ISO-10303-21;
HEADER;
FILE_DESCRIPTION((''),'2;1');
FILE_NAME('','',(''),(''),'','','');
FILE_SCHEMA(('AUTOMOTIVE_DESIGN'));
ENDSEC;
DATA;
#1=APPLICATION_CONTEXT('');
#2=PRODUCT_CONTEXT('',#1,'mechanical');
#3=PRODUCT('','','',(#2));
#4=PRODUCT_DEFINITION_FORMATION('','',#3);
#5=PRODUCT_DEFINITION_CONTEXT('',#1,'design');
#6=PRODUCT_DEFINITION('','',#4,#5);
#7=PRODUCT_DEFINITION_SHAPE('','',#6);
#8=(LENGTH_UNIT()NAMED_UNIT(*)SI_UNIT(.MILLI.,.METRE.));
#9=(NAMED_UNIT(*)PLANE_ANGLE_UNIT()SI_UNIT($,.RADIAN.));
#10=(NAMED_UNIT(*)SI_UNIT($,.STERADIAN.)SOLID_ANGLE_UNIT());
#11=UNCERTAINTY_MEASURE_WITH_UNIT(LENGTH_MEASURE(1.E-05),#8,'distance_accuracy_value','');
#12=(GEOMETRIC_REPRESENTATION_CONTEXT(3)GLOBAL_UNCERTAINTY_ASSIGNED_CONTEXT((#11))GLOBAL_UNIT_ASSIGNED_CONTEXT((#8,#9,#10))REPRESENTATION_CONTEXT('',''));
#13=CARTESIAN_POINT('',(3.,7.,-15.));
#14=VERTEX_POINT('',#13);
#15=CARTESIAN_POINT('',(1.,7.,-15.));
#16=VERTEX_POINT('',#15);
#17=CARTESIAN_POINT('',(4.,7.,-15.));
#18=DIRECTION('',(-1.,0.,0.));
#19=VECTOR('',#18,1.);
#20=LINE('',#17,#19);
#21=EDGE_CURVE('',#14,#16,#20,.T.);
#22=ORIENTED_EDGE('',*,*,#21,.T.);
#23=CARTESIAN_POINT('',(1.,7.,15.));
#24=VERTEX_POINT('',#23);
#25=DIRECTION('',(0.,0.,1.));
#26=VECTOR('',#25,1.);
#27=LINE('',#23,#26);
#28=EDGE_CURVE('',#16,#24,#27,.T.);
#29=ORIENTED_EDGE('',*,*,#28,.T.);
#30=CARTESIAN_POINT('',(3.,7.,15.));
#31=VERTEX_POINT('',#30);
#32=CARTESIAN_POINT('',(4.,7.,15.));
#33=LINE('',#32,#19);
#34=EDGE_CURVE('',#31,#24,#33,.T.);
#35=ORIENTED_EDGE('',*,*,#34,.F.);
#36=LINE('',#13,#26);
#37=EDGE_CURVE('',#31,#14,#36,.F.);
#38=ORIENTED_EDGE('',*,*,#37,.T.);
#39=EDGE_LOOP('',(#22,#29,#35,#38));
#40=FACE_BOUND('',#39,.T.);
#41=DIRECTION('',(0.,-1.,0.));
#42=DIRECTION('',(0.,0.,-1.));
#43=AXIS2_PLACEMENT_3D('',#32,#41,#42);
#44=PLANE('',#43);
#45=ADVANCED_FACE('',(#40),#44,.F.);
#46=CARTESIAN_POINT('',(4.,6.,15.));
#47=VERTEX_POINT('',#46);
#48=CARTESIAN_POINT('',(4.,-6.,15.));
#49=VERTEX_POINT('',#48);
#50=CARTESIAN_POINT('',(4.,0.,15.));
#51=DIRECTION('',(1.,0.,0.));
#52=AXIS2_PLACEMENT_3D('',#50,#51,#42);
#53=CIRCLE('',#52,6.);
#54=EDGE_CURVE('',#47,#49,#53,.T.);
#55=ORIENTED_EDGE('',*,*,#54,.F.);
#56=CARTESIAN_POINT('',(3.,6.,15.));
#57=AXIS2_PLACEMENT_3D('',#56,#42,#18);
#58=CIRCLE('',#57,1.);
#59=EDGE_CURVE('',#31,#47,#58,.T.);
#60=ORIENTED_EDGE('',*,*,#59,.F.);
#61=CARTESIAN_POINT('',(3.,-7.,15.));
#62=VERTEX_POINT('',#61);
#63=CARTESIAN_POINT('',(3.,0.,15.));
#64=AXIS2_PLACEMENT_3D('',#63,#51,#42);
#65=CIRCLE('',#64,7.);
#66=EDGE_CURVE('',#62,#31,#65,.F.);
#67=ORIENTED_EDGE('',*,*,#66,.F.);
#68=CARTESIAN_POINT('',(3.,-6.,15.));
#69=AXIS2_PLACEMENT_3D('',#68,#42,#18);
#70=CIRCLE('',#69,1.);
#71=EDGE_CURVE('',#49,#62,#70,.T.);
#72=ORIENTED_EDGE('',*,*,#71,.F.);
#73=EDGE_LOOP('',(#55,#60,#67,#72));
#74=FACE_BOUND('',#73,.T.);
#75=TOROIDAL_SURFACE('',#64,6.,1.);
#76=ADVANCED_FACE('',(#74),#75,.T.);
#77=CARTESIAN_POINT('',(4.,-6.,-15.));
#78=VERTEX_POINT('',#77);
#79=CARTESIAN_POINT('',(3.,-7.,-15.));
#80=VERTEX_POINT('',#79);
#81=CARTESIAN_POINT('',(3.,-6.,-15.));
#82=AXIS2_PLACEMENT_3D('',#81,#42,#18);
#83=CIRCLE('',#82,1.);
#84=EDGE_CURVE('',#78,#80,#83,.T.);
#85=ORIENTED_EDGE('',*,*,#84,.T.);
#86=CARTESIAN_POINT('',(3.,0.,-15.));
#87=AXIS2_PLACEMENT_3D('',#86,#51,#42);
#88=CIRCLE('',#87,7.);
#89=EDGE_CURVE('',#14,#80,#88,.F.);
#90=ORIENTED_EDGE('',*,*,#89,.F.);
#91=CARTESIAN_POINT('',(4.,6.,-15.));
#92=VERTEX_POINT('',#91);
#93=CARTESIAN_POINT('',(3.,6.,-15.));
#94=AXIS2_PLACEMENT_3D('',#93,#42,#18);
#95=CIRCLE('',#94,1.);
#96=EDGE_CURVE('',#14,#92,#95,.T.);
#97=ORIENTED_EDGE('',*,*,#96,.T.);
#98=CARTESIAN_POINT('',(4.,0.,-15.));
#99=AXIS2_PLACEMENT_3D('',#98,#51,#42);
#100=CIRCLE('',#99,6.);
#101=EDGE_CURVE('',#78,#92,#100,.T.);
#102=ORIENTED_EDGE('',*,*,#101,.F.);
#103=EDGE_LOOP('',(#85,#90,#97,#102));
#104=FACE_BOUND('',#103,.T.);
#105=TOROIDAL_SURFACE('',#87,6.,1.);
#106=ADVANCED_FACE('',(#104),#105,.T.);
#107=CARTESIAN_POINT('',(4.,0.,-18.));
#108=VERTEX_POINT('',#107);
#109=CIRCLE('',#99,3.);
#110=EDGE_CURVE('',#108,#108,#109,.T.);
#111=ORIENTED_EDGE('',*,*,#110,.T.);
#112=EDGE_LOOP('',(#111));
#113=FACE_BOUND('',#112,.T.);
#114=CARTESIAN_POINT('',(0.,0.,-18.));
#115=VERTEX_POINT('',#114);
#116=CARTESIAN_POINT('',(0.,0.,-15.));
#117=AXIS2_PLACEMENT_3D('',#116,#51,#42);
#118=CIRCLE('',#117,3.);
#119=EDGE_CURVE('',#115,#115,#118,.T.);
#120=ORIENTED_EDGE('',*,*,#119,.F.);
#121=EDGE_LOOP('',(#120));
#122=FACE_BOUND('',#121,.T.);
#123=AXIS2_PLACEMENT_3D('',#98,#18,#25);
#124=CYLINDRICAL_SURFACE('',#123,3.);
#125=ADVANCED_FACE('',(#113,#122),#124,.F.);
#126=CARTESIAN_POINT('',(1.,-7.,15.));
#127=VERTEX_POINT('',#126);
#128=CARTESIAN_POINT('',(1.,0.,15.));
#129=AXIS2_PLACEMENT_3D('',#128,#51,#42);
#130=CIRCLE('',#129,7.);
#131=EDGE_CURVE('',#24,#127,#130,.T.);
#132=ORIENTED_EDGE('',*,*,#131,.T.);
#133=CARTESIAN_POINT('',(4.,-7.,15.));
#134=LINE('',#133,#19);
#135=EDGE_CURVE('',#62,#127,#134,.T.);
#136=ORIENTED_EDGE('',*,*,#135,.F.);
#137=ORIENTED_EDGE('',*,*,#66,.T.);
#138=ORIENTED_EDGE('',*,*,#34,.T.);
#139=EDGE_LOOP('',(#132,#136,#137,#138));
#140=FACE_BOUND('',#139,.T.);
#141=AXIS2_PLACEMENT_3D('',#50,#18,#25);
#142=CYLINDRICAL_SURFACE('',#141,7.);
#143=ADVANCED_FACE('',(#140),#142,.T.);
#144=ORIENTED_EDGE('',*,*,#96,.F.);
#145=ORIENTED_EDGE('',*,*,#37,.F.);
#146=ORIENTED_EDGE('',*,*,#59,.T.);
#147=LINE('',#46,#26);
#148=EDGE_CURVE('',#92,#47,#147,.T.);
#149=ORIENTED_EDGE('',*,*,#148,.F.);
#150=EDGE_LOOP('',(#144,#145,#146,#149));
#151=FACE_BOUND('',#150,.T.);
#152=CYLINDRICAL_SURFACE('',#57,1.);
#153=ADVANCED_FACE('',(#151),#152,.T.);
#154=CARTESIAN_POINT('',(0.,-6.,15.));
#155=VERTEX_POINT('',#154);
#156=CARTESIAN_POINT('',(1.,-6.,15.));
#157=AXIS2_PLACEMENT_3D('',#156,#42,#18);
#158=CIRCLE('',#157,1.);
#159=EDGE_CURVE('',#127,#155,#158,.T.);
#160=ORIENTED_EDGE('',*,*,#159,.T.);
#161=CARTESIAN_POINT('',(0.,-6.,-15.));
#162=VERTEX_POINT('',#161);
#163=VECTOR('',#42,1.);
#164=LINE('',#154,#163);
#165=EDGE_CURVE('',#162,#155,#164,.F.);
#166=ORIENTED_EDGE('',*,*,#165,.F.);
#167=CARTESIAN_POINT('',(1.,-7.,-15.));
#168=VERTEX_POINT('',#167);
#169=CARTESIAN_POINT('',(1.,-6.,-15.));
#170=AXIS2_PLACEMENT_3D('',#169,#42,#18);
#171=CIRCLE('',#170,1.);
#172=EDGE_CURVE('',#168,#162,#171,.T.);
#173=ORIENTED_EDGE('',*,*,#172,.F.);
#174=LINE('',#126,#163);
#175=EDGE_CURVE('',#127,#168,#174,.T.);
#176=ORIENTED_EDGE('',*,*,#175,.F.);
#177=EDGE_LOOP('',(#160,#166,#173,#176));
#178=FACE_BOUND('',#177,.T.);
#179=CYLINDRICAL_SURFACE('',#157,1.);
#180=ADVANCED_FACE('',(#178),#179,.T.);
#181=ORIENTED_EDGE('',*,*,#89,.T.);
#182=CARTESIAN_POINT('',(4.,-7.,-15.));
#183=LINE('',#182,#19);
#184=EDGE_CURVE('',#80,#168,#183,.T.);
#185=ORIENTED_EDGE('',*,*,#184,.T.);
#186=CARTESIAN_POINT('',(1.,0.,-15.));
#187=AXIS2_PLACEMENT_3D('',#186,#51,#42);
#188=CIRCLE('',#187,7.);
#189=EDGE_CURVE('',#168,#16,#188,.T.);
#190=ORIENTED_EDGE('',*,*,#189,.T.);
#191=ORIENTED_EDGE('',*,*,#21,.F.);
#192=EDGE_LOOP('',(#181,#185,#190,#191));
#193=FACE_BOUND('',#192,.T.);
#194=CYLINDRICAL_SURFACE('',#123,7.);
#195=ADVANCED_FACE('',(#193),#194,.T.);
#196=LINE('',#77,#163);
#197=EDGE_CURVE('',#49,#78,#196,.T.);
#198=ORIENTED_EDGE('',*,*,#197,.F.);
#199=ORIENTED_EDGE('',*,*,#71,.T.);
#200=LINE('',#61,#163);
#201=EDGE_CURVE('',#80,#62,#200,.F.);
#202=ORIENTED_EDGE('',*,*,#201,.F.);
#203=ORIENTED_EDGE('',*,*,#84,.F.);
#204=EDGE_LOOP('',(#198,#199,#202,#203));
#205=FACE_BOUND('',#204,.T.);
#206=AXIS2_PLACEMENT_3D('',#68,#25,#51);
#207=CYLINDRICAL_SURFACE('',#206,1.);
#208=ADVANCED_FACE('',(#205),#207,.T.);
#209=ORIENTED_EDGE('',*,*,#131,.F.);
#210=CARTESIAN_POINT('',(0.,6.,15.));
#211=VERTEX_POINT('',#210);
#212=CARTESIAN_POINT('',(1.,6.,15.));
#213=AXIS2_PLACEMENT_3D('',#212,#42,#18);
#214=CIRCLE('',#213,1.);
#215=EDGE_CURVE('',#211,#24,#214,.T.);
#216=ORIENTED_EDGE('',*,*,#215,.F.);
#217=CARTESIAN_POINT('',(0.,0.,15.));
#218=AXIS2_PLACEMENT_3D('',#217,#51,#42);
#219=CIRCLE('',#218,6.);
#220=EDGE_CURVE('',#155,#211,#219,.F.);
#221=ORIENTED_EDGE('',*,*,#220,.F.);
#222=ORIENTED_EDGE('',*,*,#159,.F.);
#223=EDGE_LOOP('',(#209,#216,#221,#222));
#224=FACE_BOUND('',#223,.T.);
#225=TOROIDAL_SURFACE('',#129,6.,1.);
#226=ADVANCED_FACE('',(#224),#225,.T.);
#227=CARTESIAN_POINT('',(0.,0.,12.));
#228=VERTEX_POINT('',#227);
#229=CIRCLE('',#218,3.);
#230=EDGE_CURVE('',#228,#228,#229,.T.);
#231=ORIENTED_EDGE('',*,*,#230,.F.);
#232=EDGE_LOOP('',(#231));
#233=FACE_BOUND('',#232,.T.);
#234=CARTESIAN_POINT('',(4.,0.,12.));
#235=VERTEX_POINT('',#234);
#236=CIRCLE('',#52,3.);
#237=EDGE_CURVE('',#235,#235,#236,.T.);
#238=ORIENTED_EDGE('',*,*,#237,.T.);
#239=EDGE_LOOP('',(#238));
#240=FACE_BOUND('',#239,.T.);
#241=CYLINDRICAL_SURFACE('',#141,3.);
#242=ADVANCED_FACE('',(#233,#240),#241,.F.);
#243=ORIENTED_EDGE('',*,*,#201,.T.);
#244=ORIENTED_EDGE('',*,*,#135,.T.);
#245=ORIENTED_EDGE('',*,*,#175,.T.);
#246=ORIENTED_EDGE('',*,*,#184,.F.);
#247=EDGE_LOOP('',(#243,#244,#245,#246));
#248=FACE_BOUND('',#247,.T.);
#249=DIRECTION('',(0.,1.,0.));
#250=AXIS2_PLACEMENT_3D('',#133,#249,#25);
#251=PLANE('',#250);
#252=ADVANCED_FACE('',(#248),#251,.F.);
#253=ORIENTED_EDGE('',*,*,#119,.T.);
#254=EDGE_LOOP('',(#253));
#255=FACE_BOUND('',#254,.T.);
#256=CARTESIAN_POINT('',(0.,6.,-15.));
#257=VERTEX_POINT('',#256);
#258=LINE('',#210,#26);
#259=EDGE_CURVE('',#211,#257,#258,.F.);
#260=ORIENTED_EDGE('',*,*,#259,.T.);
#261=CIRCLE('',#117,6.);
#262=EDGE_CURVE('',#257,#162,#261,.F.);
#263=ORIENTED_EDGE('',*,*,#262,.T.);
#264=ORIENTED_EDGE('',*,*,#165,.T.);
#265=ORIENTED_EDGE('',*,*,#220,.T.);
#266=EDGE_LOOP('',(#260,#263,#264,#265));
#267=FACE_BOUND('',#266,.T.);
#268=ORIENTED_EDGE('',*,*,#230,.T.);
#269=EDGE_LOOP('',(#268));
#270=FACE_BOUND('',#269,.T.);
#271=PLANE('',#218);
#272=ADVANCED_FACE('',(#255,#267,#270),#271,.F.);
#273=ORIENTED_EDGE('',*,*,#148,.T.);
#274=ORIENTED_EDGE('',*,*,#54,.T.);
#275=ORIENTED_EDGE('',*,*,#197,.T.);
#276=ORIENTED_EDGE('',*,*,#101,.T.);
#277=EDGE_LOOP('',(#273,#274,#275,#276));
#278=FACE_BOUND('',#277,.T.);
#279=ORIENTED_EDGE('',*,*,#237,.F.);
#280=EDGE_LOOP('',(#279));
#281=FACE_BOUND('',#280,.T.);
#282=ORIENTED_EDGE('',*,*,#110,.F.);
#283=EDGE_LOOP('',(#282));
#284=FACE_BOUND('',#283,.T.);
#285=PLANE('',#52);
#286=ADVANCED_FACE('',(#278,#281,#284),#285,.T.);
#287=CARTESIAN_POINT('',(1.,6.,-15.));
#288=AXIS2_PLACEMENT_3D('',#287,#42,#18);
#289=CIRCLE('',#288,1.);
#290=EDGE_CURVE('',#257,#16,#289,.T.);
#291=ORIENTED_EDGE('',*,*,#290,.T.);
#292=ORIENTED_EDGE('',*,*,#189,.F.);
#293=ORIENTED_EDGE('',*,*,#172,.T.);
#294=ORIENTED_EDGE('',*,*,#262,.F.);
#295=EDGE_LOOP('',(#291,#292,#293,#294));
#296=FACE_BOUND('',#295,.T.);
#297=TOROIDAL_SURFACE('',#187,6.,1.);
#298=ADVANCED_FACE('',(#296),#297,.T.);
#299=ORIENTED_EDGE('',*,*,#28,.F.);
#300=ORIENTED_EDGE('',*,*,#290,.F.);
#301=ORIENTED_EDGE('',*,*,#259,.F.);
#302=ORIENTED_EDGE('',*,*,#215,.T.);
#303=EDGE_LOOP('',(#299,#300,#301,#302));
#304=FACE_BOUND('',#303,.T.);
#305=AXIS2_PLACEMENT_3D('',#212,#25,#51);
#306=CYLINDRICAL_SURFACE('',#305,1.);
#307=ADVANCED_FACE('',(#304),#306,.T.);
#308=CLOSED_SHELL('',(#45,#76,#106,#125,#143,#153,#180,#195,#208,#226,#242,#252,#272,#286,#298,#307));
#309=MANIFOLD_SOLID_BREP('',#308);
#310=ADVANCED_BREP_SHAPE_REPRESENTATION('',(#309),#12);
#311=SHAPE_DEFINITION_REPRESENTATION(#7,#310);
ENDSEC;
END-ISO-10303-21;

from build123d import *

# Parameters (mm, degrees)
SKETCH_1_R      = 3
EXTRUDE_1_DEPTH = 4
FILLET_1_R      = 1


with BuildPart() as part:
    # 草图1 → 凸台-拉伸1 (new body)
    with BuildSketch(Plane(origin=(0, 0, 0), x_dir=(0, 0, -1), z_dir=(1, 0, 0))):
        with BuildLine():
            Line((-15, 7), (15, 7))
            ThreePointArc((15, 7), (22, 0), (15, -7))
            Line((15, -7), (-15, -7))
            ThreePointArc((-15, -7), (-22, 0), (-15, 7))
        make_face()
        with Locations((-15, 0)):
            Circle(SKETCH_1_R, mode=Mode.SUBTRACT)
        with Locations((15, 0)):
            Circle(SKETCH_1_R, mode=Mode.SUBTRACT)
    extrude(amount=EXTRUDE_1_DEPTH)

    # 圆角1
    fillet_1_edges = [part.edges().sort_by_distance(p)[0] for p in [
        (4, 0, -22),
        (4, 7, 0),
        (4, 0, 22),
        (0, 7, 0),
        (0, 0, -22),
        (0, -7, 0),
        (0, 0, 22),
        (4, -7, 0),
    ]]
    fillet(fillet_1_edges, radius=FILLET_1_R)


solid = part.part
